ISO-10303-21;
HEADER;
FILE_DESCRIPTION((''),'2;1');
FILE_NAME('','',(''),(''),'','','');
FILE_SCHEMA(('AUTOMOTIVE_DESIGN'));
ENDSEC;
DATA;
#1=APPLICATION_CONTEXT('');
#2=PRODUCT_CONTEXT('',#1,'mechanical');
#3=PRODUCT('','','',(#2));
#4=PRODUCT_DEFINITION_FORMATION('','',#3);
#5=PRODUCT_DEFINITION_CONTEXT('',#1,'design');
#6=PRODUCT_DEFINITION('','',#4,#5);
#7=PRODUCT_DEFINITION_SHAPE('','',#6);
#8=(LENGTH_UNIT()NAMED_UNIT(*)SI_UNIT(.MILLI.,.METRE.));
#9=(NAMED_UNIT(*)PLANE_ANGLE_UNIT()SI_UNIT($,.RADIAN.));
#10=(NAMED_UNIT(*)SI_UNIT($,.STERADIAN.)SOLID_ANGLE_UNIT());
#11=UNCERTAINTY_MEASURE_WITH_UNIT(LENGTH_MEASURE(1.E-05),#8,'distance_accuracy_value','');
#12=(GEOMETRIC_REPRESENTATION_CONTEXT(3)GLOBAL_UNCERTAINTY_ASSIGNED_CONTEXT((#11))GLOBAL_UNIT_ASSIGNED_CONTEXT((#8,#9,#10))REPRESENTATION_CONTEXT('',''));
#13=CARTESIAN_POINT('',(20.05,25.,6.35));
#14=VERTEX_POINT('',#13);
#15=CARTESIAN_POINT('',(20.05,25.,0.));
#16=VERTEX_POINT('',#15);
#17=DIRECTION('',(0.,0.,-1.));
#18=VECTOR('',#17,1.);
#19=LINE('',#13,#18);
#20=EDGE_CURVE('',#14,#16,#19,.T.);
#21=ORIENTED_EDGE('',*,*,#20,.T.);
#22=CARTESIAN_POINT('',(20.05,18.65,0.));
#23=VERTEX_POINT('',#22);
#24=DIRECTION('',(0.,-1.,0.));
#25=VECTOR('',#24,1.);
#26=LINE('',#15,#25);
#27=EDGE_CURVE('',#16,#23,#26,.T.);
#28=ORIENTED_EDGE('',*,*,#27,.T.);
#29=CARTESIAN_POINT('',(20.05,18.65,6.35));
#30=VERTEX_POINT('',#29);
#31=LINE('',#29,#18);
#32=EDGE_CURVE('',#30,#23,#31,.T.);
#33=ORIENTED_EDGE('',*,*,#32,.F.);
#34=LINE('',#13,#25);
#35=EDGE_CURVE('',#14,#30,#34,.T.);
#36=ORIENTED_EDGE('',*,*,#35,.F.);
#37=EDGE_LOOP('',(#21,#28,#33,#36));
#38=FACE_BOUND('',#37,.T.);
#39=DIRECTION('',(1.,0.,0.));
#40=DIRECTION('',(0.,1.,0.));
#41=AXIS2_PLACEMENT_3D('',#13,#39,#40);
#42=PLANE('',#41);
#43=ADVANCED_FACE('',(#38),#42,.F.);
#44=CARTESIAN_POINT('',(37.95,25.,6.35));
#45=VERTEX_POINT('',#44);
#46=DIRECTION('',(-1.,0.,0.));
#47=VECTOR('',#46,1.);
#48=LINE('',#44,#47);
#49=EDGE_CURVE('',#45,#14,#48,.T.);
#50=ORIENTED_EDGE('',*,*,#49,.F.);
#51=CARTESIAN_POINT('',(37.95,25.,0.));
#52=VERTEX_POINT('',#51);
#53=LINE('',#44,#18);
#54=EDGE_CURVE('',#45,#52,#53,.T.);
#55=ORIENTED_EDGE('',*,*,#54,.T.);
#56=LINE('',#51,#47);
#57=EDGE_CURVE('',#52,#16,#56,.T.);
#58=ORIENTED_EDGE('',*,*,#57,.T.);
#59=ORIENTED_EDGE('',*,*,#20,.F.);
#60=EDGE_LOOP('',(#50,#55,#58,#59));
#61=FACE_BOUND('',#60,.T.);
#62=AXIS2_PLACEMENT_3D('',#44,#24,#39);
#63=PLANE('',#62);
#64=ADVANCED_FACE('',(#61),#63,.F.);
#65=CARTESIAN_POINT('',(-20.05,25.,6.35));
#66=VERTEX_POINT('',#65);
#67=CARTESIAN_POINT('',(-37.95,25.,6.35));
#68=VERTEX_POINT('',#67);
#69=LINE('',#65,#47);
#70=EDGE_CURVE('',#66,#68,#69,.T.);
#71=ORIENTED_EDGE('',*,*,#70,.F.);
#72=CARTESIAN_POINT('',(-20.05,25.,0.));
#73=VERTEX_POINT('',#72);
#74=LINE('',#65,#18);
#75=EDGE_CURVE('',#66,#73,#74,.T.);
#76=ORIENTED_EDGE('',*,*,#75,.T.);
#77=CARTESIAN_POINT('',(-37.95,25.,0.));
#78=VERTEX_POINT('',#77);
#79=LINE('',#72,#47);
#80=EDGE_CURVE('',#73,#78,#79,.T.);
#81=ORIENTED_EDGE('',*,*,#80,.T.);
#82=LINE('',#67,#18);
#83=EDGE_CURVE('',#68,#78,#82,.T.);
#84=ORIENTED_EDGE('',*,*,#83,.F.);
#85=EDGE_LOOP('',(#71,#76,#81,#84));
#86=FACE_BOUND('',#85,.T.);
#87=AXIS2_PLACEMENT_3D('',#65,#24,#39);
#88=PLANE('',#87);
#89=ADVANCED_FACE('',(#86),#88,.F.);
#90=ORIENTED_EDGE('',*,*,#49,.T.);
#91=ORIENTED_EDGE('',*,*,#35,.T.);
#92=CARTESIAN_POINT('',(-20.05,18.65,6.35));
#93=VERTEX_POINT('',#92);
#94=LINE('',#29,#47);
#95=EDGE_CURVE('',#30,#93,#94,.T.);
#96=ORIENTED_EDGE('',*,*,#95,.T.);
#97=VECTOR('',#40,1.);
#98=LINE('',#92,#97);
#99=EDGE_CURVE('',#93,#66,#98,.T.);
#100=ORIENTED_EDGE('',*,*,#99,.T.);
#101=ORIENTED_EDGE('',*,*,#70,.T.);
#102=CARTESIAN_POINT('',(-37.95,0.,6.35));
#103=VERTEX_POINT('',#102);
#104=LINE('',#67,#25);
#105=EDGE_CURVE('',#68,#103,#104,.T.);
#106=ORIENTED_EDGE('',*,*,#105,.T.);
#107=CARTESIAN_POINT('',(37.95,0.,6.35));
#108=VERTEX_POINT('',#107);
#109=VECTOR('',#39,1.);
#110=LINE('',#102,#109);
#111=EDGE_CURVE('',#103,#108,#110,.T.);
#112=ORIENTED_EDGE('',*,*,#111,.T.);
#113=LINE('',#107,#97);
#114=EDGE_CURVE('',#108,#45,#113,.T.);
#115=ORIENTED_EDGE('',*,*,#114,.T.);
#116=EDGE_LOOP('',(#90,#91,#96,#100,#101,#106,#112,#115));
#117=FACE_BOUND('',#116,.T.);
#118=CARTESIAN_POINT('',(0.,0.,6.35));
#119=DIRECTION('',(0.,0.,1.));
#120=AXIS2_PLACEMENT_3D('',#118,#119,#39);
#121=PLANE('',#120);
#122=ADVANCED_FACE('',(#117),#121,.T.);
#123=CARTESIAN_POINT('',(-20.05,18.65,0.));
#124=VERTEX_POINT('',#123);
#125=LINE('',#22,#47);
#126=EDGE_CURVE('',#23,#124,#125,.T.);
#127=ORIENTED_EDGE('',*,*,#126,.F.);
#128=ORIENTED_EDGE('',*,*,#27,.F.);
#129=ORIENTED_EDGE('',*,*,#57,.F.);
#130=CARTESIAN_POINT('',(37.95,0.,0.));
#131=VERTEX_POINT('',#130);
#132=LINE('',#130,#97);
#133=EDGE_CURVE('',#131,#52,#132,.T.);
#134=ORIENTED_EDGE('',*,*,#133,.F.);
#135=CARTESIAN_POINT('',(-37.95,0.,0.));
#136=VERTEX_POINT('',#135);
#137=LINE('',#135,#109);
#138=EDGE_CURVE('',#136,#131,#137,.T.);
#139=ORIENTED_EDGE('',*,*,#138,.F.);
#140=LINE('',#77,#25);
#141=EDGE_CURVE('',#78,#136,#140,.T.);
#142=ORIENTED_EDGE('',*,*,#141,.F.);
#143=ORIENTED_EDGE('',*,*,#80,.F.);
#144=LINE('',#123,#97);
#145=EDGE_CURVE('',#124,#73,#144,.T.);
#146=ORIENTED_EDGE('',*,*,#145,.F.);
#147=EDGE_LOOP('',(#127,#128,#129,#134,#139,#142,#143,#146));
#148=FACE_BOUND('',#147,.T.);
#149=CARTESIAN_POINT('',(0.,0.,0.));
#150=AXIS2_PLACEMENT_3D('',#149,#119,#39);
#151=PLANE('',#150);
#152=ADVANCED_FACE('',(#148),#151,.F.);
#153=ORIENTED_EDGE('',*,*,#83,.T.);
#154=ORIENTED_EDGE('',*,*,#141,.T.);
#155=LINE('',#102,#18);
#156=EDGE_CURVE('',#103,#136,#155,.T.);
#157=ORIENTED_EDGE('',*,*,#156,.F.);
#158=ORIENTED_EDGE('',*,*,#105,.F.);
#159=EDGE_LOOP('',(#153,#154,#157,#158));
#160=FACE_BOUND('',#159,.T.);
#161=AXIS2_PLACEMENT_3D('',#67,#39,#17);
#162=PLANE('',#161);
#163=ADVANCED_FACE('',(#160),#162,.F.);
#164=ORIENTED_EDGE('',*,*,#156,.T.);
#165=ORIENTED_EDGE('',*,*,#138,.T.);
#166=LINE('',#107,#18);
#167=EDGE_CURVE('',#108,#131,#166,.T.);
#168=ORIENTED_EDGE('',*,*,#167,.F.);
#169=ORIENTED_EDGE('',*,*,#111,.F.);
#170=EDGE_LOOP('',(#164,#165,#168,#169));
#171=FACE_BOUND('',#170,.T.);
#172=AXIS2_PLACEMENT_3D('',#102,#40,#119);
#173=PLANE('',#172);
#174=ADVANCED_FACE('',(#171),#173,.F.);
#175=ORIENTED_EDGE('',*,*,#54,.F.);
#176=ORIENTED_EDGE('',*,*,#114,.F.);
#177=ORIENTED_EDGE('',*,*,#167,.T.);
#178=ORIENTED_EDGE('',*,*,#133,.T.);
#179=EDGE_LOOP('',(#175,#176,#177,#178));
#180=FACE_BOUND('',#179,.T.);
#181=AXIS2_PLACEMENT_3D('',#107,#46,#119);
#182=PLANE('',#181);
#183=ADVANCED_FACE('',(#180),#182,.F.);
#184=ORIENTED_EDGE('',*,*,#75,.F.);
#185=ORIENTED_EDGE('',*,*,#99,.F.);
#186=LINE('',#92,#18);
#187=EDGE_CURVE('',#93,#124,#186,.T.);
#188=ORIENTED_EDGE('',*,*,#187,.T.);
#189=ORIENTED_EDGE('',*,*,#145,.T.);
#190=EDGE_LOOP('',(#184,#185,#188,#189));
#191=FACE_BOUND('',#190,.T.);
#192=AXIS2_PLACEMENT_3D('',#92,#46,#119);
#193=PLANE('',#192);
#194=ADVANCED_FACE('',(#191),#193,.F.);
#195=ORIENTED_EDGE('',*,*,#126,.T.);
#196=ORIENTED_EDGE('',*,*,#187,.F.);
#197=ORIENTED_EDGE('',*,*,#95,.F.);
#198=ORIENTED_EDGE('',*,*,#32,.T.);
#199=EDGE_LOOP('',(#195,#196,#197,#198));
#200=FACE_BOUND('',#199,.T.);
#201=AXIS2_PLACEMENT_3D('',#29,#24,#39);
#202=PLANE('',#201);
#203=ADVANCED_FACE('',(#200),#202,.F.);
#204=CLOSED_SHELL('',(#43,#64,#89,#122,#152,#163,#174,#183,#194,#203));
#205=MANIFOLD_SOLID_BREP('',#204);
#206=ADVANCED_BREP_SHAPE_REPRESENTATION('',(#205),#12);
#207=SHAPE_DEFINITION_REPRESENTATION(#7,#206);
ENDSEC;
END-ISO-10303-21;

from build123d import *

# Parameters (mm, degrees)
BOSS_EXTRUDE1_DEPTH = 6.35


with BuildPart() as part:
    # Sketch1 → Boss-Extrude1 (new body)
    with BuildSketch(Plane.XY):
        Polygon((-37.95, 0), (37.95, 0), (37.95, 25), (20.05, 25), (20.05, 18.65), (-20.05, 18.65), (-20.05, 25), (-37.95, 25), align=None)
    extrude(amount=BOSS_EXTRUDE1_DEPTH)


solid = part.part
